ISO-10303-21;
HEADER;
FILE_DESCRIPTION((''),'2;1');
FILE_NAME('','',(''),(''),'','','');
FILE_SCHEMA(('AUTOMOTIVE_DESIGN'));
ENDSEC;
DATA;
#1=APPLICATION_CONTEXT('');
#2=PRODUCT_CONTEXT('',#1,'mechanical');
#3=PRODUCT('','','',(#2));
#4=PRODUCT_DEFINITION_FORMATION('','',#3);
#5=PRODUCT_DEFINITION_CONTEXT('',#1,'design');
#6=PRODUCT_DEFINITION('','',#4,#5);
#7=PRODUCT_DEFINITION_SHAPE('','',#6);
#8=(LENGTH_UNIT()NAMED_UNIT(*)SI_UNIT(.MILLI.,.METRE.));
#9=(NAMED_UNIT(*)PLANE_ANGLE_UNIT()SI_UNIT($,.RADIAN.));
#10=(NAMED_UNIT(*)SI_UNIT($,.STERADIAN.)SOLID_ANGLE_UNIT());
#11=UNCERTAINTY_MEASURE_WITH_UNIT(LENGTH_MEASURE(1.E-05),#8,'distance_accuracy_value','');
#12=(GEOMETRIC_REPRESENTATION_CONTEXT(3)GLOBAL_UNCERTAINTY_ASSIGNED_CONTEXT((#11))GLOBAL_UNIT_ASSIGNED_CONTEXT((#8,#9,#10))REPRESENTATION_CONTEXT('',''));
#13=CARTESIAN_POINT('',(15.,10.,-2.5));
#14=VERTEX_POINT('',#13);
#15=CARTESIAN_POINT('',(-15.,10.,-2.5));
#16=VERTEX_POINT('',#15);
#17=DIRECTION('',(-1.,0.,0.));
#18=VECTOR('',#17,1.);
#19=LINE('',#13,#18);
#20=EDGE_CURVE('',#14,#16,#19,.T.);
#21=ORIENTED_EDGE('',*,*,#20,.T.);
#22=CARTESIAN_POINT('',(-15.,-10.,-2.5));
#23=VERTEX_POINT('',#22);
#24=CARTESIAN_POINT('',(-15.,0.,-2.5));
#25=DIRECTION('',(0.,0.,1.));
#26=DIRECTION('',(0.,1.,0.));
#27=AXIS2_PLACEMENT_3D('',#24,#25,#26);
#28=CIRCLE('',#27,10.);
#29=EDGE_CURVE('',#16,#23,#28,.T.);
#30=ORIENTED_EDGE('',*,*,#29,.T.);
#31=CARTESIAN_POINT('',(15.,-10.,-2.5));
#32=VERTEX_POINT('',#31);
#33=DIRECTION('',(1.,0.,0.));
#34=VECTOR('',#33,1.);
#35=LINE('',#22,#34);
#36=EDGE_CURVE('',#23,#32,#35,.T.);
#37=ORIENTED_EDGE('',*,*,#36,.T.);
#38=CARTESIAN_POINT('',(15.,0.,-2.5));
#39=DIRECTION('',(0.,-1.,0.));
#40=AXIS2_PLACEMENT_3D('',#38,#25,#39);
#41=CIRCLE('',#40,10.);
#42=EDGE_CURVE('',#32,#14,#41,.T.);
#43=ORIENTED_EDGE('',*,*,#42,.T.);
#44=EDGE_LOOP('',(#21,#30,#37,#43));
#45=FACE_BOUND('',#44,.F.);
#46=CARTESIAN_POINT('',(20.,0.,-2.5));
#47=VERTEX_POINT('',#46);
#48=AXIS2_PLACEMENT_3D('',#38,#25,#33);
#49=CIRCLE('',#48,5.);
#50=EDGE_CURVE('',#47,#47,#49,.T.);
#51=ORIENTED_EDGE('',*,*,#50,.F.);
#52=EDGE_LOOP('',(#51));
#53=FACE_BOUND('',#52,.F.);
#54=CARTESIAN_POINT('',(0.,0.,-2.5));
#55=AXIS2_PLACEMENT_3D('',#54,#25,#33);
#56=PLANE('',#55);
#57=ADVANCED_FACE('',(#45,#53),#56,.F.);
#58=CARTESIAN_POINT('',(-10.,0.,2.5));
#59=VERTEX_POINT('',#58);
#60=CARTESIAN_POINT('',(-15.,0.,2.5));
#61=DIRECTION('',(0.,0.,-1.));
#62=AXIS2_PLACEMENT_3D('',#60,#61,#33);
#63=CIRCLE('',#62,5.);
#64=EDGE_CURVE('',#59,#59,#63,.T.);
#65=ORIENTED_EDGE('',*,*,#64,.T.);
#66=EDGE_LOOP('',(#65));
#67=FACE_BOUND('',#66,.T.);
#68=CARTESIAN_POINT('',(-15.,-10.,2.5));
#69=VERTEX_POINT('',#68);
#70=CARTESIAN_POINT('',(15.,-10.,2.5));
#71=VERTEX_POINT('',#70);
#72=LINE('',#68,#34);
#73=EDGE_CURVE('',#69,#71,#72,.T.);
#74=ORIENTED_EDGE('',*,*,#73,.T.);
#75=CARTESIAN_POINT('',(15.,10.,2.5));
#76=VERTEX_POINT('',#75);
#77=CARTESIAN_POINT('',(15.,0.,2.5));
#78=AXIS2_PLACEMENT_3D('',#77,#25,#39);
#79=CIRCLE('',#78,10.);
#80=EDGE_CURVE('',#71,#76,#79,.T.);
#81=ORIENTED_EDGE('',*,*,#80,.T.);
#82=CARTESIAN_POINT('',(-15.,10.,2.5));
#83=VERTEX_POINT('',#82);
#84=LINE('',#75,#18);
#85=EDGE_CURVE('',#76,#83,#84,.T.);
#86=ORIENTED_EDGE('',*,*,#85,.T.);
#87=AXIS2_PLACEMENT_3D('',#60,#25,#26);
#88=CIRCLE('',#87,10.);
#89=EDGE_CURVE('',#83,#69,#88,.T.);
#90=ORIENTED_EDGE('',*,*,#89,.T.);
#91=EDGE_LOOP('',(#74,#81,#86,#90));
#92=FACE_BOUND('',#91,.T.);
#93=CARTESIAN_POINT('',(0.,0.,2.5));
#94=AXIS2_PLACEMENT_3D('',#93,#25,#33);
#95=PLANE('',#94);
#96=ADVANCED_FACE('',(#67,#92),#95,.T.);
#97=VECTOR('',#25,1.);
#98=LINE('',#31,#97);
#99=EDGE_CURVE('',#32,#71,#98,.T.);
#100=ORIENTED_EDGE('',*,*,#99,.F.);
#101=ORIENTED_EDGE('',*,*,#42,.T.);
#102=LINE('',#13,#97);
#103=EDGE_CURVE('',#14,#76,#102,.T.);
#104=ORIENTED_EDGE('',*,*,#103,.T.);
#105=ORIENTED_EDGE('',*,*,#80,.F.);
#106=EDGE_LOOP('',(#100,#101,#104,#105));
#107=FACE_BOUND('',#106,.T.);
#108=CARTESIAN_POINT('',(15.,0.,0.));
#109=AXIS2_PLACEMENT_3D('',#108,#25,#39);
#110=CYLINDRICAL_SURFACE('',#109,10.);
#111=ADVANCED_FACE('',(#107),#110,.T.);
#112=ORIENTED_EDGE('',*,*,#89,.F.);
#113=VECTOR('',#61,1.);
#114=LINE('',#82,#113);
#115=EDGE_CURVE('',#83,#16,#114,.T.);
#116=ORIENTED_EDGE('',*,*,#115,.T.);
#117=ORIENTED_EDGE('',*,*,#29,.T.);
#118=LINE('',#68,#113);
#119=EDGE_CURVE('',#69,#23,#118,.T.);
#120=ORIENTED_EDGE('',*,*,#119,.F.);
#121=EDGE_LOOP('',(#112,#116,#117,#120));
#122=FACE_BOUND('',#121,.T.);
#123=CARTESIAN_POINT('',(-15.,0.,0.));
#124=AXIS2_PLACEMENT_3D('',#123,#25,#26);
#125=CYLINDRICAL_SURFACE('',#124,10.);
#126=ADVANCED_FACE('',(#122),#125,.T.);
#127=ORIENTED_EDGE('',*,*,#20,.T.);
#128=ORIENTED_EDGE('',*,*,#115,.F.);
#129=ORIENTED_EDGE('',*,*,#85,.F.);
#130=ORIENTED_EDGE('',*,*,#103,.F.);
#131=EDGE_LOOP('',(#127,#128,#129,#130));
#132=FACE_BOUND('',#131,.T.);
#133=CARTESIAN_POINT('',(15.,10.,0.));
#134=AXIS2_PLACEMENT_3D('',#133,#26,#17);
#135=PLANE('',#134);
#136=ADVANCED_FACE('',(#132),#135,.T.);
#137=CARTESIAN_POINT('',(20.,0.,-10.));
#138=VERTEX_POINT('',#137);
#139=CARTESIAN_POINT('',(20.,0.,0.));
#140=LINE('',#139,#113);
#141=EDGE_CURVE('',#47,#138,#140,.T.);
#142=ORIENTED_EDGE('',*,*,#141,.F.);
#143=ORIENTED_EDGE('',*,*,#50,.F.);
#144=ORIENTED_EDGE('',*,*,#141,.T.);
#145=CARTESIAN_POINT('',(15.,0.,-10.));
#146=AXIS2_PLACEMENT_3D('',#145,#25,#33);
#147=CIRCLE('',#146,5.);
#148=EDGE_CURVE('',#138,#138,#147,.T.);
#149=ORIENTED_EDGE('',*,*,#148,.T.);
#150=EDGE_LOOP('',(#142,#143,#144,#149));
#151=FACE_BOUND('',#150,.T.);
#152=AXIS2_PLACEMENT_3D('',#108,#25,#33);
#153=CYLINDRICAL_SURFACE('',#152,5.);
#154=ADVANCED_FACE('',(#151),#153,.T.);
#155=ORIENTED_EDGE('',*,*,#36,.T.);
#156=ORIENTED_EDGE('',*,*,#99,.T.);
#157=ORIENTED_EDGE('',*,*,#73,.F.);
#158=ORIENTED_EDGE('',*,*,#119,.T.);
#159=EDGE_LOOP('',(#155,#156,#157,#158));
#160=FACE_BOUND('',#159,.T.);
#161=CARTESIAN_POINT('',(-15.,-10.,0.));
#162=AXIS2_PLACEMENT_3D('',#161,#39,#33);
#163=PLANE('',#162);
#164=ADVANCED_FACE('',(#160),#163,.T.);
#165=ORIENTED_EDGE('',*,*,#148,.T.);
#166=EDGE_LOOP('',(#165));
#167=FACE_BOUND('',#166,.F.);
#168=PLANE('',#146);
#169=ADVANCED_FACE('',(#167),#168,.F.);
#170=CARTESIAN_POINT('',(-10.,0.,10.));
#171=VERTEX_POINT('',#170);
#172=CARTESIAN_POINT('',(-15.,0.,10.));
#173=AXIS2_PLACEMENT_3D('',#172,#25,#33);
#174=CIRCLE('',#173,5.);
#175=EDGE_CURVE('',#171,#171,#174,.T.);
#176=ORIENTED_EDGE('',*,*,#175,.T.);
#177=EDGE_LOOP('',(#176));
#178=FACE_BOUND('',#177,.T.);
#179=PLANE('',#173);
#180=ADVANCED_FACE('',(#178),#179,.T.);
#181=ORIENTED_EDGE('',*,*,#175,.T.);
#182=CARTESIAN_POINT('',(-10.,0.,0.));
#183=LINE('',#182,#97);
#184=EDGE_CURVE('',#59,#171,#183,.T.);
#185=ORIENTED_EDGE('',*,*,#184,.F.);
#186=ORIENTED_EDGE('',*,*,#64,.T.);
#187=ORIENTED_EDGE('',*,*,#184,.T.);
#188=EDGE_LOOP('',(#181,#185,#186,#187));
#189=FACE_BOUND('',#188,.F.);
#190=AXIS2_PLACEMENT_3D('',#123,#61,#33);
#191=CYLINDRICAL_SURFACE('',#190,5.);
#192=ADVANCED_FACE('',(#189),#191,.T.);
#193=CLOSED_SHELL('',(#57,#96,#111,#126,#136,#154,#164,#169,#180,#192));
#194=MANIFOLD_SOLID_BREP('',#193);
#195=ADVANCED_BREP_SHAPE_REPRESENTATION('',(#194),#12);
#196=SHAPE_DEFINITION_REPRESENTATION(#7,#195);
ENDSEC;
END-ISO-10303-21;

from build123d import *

# Parameters (mm, degrees)
F0_R     = 5
F1_DEPTH = 2.5
F2_DEPTH = 10
F3_DEPTH = 10


with BuildPart() as f1:
    # F0 (on Top) → F1 (new body, symmetric)
    with BuildSketch(Plane.XY):
        with BuildLine():
            Line((-15, -10), (15, -10))
            ThreePointArc((15, -10), (25, 0), (15, 10))
            Line((15, 10), (-15, 10))
            ThreePointArc((-15, 10), (-25, 0), (-15, -10))
        make_face()
        with Locations((-15, 0)):
            Circle(F0_R, mode=Mode.SUBTRACT)
        with Locations((15, 0)):
            Circle(F0_R, mode=Mode.SUBTRACT)
        with Locations((-15, 0)):
            Circle(F0_R)
        with Locations((15, 0)):
            Circle(F0_R)
    extrude(amount=F1_DEPTH, both=True)

    # F0 (on Top) → F2 (join)
    with BuildSketch(Plane.XY):
        with Locations((-15, 0)):
            Circle(F0_R)
    extrude(amount=F2_DEPTH)

    # F0 (on Top) → F3 (join)
    with BuildSketch(Plane.XY):
        with Locations((15, 0)):
            Circle(F0_R)
    extrude(amount=-F3_DEPTH)


solid = f1.part
